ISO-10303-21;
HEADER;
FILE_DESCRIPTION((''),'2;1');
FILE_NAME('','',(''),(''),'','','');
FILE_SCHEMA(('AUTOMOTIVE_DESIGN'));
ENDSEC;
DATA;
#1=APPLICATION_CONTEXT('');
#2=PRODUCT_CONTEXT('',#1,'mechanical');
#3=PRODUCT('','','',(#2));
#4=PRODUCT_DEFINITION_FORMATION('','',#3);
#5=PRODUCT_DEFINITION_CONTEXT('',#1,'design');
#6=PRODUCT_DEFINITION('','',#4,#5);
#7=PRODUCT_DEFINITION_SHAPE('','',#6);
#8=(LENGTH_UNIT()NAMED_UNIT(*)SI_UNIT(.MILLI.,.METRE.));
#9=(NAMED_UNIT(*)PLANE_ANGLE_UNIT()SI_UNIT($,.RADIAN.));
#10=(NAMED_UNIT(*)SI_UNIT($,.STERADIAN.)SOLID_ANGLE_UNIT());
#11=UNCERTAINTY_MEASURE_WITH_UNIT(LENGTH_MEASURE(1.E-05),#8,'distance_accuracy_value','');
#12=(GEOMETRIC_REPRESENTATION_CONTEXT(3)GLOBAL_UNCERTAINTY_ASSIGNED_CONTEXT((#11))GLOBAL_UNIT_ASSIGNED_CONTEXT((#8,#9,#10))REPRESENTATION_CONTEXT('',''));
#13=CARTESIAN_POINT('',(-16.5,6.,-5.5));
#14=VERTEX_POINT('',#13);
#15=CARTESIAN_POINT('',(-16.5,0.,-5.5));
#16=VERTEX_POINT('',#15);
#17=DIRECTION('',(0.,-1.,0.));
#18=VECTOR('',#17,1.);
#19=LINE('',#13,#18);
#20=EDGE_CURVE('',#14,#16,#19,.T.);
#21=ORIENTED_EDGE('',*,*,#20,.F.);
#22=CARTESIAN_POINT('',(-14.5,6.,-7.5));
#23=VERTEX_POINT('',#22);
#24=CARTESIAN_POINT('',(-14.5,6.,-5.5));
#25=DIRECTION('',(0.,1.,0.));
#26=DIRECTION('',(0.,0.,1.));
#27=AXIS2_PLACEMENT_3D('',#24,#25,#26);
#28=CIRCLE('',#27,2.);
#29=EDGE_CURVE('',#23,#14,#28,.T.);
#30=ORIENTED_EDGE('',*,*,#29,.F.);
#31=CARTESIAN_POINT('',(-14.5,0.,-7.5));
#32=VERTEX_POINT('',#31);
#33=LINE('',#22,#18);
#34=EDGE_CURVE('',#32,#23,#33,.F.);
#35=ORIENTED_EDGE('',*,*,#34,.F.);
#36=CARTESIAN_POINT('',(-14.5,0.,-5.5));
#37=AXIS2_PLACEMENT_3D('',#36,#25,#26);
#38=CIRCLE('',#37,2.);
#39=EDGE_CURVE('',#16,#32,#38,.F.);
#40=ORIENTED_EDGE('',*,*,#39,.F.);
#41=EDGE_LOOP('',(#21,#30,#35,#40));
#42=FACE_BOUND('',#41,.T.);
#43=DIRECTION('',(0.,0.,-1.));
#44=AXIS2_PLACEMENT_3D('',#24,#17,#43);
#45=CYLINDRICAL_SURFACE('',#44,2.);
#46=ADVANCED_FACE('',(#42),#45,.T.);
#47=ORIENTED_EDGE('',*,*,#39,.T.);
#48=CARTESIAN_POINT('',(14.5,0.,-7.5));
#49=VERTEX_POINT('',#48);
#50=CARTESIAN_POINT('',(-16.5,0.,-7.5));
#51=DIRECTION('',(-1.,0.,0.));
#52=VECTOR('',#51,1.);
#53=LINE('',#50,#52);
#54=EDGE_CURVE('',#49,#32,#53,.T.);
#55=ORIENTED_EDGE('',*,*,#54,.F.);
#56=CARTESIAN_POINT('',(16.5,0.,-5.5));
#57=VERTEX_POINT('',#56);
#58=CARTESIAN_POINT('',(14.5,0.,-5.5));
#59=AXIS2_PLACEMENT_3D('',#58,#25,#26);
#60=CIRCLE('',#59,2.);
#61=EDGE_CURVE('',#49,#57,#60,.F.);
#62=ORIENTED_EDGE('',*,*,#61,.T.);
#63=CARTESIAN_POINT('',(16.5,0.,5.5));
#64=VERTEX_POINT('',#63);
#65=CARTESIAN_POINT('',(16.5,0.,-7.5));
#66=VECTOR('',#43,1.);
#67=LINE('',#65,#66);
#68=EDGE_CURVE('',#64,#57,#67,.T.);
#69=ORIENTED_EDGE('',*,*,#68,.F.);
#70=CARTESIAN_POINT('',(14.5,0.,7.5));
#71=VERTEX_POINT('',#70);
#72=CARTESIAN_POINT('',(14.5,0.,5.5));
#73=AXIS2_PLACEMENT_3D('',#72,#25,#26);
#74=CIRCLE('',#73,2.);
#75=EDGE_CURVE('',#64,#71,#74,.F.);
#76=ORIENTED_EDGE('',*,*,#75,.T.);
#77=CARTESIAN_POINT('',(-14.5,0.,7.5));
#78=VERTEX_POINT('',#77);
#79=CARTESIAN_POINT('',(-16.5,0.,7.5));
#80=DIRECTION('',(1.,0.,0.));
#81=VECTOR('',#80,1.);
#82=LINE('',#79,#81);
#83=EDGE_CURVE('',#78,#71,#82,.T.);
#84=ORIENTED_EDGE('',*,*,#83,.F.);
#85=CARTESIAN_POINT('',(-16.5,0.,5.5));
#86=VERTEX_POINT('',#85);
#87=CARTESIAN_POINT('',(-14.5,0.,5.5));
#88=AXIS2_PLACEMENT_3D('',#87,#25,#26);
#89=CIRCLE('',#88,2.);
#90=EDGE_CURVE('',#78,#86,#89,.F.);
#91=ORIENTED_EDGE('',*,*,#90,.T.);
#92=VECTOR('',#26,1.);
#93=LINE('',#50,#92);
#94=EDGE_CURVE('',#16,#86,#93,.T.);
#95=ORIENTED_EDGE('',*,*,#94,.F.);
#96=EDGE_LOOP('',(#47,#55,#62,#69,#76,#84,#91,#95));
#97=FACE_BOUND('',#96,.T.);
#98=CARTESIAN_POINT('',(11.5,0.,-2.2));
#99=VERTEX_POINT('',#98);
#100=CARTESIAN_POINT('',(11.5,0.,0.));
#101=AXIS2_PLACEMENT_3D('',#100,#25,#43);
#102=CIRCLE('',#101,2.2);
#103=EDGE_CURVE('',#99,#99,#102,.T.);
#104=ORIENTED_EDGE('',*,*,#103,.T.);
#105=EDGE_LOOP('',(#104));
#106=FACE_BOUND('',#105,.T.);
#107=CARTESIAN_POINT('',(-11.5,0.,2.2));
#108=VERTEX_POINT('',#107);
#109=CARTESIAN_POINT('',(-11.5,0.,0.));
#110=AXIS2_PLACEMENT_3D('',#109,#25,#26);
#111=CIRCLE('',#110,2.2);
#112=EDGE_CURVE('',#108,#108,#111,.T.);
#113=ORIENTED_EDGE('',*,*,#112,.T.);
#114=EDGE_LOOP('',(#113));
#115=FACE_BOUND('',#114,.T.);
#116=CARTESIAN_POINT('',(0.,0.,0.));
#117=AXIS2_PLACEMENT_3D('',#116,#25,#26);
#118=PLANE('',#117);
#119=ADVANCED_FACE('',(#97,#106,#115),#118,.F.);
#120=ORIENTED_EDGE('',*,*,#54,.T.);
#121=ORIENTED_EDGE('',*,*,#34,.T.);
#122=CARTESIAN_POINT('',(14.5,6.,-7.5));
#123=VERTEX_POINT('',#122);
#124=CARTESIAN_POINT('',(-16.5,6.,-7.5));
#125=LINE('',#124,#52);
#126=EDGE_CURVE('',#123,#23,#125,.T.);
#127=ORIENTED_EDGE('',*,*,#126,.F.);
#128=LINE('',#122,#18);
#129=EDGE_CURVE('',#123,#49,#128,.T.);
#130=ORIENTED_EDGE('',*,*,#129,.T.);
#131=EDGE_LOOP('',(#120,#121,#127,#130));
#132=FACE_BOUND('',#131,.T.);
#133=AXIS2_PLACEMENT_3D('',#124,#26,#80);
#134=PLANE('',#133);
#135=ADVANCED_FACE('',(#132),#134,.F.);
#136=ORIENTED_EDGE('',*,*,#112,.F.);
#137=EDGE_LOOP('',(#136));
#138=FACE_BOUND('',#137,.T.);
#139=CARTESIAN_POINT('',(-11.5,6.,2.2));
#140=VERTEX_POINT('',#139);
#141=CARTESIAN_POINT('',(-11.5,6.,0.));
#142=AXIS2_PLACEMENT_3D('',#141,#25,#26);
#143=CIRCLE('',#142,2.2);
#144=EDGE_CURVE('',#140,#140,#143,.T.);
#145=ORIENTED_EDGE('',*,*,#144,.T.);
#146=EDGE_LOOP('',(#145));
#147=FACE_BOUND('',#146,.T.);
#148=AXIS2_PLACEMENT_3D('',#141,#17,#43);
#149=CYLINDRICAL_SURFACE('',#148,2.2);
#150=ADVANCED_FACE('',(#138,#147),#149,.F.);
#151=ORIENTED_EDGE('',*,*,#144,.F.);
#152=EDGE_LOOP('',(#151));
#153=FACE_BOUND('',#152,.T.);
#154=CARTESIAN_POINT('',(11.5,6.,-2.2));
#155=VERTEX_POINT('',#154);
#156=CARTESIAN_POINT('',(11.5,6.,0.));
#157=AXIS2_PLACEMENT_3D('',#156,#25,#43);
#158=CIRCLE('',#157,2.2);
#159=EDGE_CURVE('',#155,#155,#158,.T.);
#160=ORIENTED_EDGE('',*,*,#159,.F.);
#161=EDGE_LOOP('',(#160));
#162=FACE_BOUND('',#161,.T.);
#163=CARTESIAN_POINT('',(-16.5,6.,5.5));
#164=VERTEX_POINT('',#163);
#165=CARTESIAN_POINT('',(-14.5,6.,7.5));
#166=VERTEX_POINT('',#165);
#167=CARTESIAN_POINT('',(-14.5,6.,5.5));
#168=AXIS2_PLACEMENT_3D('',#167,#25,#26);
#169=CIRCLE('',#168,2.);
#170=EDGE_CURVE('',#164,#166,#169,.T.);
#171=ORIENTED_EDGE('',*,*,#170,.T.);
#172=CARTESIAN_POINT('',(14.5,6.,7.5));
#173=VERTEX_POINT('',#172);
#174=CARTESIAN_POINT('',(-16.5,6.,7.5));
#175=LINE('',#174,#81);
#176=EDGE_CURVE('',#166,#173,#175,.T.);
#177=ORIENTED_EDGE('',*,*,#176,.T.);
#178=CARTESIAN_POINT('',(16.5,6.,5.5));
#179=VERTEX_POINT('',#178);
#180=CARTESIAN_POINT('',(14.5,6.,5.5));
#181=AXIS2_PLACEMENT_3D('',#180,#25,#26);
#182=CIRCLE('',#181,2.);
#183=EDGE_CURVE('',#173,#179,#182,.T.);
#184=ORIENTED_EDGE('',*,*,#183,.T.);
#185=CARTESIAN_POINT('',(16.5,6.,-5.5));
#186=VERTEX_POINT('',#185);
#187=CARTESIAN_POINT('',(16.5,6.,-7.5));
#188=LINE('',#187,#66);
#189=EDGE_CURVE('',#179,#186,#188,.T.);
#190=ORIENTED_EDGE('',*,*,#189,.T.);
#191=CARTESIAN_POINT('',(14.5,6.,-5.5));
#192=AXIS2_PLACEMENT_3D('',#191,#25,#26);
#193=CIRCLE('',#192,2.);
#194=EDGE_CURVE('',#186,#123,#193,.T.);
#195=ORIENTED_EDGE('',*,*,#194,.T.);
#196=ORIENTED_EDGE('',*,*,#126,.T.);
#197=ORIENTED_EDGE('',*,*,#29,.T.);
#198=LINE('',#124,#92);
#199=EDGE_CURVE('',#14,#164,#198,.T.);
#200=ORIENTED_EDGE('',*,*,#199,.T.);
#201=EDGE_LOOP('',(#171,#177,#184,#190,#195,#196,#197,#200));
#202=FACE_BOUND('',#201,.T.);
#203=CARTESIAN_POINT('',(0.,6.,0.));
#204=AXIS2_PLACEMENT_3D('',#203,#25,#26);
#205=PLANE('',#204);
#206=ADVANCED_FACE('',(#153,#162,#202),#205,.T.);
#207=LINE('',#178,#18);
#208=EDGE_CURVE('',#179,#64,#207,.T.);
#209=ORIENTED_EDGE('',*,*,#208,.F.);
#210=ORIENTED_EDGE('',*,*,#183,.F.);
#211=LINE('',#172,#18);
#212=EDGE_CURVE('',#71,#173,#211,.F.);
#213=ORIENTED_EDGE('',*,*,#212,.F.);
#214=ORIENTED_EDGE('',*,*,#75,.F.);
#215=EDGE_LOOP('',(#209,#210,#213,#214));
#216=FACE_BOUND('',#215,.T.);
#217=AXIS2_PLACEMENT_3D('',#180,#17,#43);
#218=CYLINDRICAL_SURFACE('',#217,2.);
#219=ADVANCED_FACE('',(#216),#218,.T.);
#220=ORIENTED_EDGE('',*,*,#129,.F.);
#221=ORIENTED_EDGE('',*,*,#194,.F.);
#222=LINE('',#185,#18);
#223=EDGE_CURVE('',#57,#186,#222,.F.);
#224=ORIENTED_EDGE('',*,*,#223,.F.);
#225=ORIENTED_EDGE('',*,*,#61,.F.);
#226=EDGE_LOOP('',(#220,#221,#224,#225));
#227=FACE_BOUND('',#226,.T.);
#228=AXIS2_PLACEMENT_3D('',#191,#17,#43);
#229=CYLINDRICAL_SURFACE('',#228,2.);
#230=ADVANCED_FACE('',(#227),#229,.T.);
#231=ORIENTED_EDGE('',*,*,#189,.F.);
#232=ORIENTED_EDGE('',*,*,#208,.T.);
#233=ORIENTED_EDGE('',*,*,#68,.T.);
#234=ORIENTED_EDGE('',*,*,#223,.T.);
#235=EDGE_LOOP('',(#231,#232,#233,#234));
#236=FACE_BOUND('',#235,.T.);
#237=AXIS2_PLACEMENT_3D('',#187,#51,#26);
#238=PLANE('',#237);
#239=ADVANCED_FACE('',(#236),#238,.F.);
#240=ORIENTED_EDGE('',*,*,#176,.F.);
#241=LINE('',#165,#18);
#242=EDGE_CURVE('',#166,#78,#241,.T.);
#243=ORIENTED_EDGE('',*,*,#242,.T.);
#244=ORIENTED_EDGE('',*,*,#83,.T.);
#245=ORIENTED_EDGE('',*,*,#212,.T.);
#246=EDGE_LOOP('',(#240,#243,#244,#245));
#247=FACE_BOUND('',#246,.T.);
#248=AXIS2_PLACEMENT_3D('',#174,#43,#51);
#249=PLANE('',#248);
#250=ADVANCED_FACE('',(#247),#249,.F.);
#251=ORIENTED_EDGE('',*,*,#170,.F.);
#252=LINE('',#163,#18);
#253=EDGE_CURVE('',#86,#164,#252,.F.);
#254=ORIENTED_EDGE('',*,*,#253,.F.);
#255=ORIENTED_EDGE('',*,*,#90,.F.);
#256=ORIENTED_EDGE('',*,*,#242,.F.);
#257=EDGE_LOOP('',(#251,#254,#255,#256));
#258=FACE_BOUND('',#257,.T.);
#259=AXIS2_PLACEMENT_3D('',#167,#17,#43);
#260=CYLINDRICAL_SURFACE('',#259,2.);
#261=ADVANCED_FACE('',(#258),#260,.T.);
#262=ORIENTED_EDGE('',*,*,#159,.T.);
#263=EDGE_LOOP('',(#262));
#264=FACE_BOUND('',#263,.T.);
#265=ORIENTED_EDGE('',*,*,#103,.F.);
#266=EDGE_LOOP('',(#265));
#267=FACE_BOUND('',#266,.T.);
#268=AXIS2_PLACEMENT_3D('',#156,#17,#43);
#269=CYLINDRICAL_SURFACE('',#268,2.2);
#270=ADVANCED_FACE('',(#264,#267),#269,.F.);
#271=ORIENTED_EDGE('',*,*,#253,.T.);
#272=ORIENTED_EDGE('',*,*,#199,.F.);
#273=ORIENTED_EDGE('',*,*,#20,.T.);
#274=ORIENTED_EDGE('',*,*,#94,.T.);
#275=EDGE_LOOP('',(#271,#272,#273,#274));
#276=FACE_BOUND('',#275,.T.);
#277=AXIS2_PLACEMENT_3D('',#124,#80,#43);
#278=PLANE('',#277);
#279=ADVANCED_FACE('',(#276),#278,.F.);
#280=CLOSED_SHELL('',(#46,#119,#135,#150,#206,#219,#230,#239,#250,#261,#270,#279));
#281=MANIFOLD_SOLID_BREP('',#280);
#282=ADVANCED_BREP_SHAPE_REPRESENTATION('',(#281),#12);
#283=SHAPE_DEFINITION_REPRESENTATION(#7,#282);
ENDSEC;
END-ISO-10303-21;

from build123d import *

# Parameters (mm, degrees)
SKETCH_1_W      = 33
SKETCH_1_H      = 15
SKETCH_1_R      = 2.2
EXTRUDE_1_DEPTH = 6
FILLET_1_R      = 2


with BuildPart() as part:
    # 草图1 → 凸台-拉伸1 (new body)
    with BuildSketch(Plane(origin=(0, 0, 0), x_dir=(1, 0, 0), z_dir=(0, 1, 0))):
        Rectangle(SKETCH_1_W, SKETCH_1_H)
        with Locations(Location((-11.5, 0, 0), (0, 0, 270))):
            Circle(SKETCH_1_R, mode=Mode.SUBTRACT)
        with Locations(Location((11.5, 0, 0), (0, 0, 90))):
            Circle(SKETCH_1_R, mode=Mode.SUBTRACT)
    extrude(amount=EXTRUDE_1_DEPTH)

    # 圆角1
    fillet_1_edges = [part.edges().sort_by_distance(p)[0] for p in [
        (16.5, 3, 7.5),
        (-16.5, 3, 7.5),
        (-16.5, 3, -7.5),
        (16.5, 3, -7.5),
    ]]
    fillet(fillet_1_edges, radius=FILLET_1_R)


solid = part.part
